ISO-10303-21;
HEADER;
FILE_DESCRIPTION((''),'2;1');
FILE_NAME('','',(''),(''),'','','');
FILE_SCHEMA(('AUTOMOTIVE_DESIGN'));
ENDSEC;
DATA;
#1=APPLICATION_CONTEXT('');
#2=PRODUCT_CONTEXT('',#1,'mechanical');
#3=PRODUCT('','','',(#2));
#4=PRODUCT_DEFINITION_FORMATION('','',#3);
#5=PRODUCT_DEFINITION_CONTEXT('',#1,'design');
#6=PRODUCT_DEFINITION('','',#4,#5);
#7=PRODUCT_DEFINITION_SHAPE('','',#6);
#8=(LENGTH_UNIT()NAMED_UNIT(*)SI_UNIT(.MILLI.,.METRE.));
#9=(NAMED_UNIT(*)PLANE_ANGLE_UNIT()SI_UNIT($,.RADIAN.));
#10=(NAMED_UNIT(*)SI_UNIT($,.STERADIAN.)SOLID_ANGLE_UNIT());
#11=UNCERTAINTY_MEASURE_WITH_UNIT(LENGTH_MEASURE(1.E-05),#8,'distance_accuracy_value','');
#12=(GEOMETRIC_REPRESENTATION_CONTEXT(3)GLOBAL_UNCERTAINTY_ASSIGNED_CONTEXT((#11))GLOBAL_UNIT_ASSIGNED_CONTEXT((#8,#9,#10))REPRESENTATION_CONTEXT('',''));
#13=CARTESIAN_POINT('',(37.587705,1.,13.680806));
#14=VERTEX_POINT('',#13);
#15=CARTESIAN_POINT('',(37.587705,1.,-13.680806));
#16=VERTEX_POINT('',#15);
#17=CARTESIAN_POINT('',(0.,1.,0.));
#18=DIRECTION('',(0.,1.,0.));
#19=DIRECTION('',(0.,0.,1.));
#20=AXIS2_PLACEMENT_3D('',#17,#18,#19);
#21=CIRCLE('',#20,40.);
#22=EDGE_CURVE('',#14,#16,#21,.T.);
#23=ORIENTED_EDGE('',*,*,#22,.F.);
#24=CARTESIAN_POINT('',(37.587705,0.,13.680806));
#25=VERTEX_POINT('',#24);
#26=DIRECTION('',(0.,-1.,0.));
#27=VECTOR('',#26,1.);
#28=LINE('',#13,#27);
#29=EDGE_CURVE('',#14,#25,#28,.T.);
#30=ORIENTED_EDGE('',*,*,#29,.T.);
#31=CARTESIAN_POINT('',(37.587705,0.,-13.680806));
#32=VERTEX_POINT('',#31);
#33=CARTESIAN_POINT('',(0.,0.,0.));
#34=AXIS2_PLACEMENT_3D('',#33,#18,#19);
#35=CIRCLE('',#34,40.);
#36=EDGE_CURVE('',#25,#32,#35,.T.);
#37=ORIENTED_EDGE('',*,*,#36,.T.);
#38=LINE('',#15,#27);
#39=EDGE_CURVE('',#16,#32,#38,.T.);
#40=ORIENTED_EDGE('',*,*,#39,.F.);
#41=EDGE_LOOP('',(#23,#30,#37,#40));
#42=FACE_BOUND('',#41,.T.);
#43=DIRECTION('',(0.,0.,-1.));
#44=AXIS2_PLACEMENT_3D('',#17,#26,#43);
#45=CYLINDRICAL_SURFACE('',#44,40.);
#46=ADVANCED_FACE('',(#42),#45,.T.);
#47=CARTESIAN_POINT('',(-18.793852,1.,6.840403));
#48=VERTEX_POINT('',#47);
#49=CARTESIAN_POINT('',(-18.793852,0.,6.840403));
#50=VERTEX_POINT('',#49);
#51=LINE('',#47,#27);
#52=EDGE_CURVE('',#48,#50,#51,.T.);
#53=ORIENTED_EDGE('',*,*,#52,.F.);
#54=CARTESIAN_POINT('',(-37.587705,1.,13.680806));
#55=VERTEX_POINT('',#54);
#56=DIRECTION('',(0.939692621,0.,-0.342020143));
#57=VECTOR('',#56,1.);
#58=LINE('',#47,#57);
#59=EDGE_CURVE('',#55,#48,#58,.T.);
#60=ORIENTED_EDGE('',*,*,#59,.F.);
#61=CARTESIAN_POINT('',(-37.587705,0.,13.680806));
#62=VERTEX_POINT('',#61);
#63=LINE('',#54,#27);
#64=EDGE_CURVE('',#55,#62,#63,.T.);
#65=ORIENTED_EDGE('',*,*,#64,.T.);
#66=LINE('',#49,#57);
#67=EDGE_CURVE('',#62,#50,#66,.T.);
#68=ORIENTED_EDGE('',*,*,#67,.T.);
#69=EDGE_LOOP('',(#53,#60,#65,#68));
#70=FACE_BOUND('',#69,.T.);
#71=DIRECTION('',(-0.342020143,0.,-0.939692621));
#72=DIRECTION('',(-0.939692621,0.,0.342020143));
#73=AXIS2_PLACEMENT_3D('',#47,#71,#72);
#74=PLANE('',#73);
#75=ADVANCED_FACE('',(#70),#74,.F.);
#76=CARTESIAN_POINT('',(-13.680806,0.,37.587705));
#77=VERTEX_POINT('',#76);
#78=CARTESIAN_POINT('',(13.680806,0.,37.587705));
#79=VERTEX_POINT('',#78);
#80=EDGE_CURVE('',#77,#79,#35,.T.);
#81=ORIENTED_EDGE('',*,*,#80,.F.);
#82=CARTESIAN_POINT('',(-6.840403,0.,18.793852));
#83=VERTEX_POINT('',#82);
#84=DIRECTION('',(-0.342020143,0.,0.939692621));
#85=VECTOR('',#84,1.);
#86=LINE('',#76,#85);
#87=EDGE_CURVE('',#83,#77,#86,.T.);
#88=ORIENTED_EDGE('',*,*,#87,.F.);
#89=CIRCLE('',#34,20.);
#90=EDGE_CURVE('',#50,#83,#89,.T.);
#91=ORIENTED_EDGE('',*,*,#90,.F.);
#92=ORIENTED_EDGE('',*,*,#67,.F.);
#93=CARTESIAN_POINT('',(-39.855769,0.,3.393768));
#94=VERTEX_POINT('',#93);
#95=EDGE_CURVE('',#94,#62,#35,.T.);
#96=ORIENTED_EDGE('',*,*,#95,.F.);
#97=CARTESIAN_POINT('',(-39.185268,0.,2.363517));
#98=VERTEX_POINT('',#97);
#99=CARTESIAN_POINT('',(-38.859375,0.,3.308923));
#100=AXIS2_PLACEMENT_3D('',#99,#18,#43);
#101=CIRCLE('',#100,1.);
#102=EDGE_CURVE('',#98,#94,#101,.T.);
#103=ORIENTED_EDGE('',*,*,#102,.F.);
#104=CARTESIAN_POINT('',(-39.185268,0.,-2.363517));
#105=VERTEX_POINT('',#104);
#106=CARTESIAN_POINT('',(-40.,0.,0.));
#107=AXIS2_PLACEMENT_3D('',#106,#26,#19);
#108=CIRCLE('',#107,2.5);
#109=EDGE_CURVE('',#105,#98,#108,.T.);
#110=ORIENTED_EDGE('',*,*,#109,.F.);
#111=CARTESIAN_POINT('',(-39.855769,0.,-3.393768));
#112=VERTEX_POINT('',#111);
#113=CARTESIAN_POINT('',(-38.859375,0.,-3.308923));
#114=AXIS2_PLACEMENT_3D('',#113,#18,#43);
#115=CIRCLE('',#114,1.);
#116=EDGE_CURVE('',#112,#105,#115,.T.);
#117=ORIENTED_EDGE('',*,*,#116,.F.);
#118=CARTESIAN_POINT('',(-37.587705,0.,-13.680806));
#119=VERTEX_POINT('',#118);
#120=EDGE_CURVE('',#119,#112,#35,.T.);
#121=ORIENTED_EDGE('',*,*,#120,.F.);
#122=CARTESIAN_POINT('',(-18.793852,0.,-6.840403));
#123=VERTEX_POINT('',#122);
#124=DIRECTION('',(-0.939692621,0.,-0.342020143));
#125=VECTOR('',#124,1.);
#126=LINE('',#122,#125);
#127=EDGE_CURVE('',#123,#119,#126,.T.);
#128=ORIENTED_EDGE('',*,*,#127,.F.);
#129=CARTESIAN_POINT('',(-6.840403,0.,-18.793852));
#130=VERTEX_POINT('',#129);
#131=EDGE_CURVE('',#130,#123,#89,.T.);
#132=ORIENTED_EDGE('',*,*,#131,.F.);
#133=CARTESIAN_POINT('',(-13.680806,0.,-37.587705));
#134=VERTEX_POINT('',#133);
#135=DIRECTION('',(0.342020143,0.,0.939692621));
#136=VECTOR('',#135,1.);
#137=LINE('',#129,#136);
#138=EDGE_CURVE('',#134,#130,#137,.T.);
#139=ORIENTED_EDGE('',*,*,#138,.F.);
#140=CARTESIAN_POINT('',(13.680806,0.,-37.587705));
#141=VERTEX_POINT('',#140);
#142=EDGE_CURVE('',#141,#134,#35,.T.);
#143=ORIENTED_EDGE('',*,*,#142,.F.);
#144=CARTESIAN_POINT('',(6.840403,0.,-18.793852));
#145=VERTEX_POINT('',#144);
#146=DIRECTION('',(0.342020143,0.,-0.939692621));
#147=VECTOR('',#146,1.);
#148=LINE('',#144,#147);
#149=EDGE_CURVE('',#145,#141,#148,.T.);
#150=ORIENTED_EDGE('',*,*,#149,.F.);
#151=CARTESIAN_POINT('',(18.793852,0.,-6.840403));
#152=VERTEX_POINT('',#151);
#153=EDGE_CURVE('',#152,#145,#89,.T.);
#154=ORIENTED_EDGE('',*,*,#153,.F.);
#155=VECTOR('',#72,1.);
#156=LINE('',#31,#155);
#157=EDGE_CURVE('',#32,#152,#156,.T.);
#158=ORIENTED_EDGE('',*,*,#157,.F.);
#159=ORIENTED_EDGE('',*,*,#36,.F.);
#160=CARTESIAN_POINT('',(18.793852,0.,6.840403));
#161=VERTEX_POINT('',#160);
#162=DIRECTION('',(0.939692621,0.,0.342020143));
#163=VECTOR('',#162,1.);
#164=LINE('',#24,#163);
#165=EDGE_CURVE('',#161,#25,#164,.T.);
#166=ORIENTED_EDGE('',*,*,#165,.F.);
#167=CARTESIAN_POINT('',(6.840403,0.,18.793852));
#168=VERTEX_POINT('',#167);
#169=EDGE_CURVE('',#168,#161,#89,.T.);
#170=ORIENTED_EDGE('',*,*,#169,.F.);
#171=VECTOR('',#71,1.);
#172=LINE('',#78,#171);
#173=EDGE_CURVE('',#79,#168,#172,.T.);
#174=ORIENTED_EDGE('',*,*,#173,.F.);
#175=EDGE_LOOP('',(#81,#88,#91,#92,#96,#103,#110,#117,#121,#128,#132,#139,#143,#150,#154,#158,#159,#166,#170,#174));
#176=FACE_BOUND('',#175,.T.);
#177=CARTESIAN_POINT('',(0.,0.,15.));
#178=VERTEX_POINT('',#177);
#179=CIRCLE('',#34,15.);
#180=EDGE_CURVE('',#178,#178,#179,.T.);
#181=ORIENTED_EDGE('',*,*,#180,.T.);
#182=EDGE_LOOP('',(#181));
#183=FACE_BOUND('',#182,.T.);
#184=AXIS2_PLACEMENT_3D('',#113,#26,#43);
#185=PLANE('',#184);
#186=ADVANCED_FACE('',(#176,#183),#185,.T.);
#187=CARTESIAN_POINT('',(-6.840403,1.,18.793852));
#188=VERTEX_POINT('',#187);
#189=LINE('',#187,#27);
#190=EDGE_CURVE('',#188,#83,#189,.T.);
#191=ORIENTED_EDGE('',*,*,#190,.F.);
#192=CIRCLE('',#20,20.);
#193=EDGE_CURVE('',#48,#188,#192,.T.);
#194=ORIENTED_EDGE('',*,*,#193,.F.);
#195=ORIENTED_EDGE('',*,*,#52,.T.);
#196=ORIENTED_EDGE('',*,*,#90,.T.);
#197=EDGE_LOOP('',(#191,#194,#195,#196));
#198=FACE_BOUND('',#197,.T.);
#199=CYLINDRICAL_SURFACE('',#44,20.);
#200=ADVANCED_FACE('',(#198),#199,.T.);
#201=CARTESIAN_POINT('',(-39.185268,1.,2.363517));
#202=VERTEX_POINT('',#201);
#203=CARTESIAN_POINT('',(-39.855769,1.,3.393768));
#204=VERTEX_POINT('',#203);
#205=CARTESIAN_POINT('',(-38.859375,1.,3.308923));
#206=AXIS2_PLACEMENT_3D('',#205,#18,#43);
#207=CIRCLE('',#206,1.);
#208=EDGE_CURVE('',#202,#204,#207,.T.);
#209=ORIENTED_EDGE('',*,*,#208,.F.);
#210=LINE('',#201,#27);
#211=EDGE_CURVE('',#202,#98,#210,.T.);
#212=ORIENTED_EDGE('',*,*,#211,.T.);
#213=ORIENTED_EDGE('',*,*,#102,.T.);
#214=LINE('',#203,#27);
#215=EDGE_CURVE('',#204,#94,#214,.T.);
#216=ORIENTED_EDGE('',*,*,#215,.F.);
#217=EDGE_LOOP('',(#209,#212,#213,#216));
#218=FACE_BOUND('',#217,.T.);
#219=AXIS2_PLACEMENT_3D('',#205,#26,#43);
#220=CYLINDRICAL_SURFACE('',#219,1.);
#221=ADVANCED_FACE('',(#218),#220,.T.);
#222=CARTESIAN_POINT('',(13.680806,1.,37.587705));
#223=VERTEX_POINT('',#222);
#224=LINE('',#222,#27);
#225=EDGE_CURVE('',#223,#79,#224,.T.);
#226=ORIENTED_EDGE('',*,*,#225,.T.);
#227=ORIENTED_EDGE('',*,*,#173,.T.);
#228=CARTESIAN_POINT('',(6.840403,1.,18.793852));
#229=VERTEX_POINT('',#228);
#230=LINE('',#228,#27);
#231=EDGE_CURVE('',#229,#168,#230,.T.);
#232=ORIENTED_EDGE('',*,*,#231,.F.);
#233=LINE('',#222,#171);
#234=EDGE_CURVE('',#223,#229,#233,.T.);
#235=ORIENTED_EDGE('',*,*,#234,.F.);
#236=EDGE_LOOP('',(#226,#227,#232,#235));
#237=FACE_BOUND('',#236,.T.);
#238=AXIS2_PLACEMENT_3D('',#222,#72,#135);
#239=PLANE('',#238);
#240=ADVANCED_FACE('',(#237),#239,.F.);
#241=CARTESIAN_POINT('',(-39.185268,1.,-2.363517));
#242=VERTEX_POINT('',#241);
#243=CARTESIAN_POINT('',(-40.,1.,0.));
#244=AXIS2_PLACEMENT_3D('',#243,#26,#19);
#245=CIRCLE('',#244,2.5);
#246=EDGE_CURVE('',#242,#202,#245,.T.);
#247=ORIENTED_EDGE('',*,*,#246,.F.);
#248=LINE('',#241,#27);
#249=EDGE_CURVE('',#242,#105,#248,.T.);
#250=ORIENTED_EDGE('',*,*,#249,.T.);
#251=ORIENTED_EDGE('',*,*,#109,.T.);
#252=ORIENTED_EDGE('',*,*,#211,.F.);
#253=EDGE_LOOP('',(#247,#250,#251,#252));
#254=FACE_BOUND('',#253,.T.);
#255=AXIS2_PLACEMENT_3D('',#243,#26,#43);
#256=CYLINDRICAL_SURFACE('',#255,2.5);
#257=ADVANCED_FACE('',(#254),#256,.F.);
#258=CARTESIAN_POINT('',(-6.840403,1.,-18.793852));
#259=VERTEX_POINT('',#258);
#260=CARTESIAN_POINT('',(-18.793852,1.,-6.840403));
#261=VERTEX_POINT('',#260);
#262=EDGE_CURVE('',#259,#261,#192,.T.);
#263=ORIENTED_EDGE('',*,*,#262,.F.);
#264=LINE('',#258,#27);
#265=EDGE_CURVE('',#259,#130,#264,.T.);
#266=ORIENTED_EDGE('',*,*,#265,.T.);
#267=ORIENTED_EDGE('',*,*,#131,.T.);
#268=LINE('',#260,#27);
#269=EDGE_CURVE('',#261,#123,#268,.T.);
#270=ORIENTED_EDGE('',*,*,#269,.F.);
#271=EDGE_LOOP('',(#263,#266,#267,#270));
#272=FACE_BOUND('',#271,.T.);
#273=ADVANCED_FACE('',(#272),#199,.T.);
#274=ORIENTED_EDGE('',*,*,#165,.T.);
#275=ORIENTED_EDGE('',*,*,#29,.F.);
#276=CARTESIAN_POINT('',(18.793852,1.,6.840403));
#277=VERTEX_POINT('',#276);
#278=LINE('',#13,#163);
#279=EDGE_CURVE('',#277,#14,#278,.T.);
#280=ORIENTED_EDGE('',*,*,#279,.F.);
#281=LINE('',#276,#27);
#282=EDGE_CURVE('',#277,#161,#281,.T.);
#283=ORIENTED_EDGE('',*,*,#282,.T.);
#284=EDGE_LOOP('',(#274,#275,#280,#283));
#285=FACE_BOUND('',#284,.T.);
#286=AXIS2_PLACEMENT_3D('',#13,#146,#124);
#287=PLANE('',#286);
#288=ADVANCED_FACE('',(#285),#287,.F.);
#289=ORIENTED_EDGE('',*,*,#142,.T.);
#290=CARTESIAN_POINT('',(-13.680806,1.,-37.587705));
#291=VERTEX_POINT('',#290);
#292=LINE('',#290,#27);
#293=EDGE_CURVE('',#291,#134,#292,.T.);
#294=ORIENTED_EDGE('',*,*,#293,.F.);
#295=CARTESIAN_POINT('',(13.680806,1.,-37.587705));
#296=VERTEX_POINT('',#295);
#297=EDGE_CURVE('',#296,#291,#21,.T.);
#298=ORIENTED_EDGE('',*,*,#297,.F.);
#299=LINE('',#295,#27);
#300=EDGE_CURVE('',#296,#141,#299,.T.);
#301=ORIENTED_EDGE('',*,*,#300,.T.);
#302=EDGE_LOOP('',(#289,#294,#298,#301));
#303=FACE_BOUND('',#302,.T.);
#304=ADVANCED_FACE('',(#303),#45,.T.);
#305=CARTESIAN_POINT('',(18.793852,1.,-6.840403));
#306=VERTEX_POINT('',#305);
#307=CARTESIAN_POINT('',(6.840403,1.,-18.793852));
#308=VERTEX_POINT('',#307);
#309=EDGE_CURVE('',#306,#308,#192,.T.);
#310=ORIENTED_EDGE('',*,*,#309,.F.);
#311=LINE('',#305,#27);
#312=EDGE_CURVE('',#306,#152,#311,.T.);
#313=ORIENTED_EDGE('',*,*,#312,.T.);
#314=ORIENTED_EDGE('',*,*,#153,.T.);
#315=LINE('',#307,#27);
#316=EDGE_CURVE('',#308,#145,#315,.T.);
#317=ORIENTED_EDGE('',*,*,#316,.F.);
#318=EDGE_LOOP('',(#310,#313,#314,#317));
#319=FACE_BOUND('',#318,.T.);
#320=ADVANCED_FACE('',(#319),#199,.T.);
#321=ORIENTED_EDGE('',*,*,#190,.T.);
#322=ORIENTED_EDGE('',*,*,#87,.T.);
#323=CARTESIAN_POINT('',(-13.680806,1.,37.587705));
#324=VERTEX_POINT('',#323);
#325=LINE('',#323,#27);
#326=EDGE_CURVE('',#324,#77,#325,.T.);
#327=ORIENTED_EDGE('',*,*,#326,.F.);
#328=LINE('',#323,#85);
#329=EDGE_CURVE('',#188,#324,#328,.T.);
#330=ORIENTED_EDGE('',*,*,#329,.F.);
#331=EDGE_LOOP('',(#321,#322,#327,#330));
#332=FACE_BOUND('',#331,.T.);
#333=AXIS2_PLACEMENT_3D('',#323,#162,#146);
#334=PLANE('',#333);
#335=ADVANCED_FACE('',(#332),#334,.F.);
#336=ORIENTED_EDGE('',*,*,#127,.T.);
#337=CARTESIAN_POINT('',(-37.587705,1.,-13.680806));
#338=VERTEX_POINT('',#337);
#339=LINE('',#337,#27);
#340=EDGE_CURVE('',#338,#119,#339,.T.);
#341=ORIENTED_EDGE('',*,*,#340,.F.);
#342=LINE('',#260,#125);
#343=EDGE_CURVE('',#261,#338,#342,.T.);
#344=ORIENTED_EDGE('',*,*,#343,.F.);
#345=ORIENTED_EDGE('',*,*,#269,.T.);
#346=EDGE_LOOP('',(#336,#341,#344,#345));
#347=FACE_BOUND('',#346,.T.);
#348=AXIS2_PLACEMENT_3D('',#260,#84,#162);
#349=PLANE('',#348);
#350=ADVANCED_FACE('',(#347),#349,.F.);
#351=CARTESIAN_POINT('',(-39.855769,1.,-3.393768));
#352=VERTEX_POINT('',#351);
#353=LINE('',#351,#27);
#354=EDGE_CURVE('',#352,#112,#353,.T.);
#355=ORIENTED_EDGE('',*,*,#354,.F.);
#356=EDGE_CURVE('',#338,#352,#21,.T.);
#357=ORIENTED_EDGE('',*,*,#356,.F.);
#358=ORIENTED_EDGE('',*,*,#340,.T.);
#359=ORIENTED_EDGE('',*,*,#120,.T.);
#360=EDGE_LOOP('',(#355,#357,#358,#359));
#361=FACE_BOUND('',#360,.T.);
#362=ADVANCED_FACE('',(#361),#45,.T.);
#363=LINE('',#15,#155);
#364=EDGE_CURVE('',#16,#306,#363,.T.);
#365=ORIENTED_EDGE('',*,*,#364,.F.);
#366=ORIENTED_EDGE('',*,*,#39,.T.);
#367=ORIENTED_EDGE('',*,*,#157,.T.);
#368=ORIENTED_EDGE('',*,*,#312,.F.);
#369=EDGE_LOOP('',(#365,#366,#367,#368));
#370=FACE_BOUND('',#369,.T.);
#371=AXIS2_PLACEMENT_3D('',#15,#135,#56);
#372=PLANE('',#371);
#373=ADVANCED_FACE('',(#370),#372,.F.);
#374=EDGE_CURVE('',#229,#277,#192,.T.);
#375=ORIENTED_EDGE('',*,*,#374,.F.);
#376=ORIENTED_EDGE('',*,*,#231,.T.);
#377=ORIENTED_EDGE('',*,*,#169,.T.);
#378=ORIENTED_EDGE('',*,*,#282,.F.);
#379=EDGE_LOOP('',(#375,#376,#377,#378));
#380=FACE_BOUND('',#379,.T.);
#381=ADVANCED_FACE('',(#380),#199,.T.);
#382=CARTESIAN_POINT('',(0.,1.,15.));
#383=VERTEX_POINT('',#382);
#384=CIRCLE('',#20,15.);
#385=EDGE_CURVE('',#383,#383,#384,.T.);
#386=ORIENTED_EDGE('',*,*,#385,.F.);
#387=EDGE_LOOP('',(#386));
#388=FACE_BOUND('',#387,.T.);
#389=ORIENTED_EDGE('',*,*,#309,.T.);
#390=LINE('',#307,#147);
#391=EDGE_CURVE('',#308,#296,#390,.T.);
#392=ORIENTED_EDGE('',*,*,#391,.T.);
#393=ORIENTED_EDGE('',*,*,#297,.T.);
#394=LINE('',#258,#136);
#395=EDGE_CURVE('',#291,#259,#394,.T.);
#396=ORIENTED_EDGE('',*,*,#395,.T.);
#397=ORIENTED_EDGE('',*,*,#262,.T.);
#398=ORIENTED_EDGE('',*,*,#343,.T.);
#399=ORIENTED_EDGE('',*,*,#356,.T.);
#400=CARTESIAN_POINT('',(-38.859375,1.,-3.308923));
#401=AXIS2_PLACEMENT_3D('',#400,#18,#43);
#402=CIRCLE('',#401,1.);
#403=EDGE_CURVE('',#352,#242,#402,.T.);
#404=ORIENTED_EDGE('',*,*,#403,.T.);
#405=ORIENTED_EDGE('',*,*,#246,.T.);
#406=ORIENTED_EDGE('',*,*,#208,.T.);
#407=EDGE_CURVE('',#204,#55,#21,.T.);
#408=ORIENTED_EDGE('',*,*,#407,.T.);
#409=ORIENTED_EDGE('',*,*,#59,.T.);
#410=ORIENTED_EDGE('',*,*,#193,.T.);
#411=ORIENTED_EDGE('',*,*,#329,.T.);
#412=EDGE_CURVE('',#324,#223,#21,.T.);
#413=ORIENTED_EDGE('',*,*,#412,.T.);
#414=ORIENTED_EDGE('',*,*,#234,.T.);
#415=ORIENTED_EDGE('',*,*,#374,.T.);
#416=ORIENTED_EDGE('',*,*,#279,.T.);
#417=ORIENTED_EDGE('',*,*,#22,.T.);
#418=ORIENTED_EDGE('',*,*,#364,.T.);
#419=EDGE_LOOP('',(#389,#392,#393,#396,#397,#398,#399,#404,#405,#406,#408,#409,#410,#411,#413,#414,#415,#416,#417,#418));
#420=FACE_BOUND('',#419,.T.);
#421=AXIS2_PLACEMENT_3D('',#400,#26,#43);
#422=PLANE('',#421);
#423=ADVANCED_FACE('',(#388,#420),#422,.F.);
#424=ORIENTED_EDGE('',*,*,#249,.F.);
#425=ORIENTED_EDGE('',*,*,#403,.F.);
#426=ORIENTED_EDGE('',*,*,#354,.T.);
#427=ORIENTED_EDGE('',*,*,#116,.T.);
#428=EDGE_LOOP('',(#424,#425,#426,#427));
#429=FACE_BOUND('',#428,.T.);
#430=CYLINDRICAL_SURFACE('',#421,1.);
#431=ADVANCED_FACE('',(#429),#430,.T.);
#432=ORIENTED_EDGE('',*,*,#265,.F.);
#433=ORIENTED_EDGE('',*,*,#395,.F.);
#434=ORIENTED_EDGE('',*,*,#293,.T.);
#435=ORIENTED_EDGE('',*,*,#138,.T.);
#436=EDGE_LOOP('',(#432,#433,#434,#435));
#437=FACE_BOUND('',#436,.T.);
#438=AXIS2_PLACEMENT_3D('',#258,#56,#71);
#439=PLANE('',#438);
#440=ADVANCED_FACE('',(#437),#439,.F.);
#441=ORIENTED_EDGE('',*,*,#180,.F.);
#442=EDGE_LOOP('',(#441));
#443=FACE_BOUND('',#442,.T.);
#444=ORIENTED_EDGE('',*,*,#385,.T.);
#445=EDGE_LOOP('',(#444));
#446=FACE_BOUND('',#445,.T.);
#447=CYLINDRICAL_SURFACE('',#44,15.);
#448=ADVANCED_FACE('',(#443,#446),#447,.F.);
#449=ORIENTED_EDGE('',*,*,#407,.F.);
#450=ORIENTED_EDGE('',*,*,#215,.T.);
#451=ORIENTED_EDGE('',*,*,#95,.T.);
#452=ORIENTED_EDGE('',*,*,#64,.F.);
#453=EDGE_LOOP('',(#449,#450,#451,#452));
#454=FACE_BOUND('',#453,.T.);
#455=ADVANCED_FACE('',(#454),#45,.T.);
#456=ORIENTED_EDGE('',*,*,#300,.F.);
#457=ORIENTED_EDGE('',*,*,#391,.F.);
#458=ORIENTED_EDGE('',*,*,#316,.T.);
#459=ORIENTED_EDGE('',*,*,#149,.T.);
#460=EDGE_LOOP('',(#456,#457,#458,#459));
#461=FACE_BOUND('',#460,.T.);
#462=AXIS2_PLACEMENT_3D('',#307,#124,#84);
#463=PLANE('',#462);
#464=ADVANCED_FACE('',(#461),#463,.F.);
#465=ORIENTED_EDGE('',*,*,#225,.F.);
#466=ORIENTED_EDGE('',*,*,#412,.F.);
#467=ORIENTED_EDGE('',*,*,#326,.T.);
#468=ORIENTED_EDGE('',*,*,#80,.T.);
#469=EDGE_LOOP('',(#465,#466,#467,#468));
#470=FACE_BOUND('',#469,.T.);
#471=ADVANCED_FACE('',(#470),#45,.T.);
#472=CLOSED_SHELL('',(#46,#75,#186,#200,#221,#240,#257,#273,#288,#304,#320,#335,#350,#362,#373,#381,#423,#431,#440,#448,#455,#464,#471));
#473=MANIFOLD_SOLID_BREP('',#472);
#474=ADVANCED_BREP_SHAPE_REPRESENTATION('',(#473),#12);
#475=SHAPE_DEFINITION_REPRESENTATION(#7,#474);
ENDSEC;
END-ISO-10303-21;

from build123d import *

# Parameters (mm, degrees)
SKETCH1_R           = 15
BOSS_EXTRUDE1_DEPTH = 1


with BuildPart() as part:
    # Sketch1 → Boss-Extrude1 (new body)
    with BuildSketch(Plane(origin=(0, 0, 0), x_dir=(1, 0, 0), z_dir=(0, 1, 0))):
        with BuildLine():
            Line((37.587704831, -13.680805733), (18.793852416, -6.840402867))
            ThreePointArc((18.793852416, -6.840402867), (14.142135624, -14.142135624), (6.840402867, -18.793852416))
            Line((6.840402867, -18.793852416), (13.680805733, -37.587704831))
            ThreePointArc((13.680805733, -37.587704831), (0, -40), (-13.680805733, -37.587704831))
            Line((-13.680805733, -37.587704831), (-6.840402867, -18.793852416))
            ThreePointArc((-6.840402867, -18.793852416), (-14.142135624, -14.142135624), (-18.793852416, -6.840402867))
            Line((-18.793852416, -6.840402867), (-37.587704831, -13.680805733))
            ThreePointArc((-37.587704831, -13.680805733), (-39.061857441, -8.612275732), (-39.855769231, -3.393767674))
            ThreePointArc((-39.855769231, -3.393767674), (-39.69750686, -2.763455807), (-39.185267857, -2.363516773))
            ThreePointArc((-39.185267857, -2.363516773), (-37.5, 0), (-39.185267857, 2.363516773))
            ThreePointArc((-39.185267857, 2.363516773), (-39.69750686, 2.763455807), (-39.855769231, 3.393767674))
            ThreePointArc((-39.855769231, 3.393767674), (-39.061857441, 8.612275732), (-37.587704831, 13.680805733))
            Line((-37.587704831, 13.680805733), (-18.793852416, 6.840402867))
            ThreePointArc((-18.793852416, 6.840402867), (-14.142135624, 14.142135624), (-6.840402867, 18.793852416))
            Line((-6.840402867, 18.793852416), (-13.680805733, 37.587704831))
            ThreePointArc((-13.680805733, 37.587704831), (0, 40), (13.680805733, 37.587704831))
            Line((13.680805733, 37.587704831), (6.840402867, 18.793852416))
            ThreePointArc((6.840402867, 18.793852416), (14.142135624, 14.142135624), (18.793852416, 6.840402867))
            Line((18.793852416, 6.840402867), (37.587704831, 13.680805733))
            ThreePointArc((37.587704831, 13.680805733), (40, 0), (37.587704831, -13.680805733))
        make_face()
        with Locations(Location((0, 0, 0), (0, 0, 270))):
            Circle(SKETCH1_R, mode=Mode.SUBTRACT)
    extrude(amount=BOSS_EXTRUDE1_DEPTH)


solid = part.part
